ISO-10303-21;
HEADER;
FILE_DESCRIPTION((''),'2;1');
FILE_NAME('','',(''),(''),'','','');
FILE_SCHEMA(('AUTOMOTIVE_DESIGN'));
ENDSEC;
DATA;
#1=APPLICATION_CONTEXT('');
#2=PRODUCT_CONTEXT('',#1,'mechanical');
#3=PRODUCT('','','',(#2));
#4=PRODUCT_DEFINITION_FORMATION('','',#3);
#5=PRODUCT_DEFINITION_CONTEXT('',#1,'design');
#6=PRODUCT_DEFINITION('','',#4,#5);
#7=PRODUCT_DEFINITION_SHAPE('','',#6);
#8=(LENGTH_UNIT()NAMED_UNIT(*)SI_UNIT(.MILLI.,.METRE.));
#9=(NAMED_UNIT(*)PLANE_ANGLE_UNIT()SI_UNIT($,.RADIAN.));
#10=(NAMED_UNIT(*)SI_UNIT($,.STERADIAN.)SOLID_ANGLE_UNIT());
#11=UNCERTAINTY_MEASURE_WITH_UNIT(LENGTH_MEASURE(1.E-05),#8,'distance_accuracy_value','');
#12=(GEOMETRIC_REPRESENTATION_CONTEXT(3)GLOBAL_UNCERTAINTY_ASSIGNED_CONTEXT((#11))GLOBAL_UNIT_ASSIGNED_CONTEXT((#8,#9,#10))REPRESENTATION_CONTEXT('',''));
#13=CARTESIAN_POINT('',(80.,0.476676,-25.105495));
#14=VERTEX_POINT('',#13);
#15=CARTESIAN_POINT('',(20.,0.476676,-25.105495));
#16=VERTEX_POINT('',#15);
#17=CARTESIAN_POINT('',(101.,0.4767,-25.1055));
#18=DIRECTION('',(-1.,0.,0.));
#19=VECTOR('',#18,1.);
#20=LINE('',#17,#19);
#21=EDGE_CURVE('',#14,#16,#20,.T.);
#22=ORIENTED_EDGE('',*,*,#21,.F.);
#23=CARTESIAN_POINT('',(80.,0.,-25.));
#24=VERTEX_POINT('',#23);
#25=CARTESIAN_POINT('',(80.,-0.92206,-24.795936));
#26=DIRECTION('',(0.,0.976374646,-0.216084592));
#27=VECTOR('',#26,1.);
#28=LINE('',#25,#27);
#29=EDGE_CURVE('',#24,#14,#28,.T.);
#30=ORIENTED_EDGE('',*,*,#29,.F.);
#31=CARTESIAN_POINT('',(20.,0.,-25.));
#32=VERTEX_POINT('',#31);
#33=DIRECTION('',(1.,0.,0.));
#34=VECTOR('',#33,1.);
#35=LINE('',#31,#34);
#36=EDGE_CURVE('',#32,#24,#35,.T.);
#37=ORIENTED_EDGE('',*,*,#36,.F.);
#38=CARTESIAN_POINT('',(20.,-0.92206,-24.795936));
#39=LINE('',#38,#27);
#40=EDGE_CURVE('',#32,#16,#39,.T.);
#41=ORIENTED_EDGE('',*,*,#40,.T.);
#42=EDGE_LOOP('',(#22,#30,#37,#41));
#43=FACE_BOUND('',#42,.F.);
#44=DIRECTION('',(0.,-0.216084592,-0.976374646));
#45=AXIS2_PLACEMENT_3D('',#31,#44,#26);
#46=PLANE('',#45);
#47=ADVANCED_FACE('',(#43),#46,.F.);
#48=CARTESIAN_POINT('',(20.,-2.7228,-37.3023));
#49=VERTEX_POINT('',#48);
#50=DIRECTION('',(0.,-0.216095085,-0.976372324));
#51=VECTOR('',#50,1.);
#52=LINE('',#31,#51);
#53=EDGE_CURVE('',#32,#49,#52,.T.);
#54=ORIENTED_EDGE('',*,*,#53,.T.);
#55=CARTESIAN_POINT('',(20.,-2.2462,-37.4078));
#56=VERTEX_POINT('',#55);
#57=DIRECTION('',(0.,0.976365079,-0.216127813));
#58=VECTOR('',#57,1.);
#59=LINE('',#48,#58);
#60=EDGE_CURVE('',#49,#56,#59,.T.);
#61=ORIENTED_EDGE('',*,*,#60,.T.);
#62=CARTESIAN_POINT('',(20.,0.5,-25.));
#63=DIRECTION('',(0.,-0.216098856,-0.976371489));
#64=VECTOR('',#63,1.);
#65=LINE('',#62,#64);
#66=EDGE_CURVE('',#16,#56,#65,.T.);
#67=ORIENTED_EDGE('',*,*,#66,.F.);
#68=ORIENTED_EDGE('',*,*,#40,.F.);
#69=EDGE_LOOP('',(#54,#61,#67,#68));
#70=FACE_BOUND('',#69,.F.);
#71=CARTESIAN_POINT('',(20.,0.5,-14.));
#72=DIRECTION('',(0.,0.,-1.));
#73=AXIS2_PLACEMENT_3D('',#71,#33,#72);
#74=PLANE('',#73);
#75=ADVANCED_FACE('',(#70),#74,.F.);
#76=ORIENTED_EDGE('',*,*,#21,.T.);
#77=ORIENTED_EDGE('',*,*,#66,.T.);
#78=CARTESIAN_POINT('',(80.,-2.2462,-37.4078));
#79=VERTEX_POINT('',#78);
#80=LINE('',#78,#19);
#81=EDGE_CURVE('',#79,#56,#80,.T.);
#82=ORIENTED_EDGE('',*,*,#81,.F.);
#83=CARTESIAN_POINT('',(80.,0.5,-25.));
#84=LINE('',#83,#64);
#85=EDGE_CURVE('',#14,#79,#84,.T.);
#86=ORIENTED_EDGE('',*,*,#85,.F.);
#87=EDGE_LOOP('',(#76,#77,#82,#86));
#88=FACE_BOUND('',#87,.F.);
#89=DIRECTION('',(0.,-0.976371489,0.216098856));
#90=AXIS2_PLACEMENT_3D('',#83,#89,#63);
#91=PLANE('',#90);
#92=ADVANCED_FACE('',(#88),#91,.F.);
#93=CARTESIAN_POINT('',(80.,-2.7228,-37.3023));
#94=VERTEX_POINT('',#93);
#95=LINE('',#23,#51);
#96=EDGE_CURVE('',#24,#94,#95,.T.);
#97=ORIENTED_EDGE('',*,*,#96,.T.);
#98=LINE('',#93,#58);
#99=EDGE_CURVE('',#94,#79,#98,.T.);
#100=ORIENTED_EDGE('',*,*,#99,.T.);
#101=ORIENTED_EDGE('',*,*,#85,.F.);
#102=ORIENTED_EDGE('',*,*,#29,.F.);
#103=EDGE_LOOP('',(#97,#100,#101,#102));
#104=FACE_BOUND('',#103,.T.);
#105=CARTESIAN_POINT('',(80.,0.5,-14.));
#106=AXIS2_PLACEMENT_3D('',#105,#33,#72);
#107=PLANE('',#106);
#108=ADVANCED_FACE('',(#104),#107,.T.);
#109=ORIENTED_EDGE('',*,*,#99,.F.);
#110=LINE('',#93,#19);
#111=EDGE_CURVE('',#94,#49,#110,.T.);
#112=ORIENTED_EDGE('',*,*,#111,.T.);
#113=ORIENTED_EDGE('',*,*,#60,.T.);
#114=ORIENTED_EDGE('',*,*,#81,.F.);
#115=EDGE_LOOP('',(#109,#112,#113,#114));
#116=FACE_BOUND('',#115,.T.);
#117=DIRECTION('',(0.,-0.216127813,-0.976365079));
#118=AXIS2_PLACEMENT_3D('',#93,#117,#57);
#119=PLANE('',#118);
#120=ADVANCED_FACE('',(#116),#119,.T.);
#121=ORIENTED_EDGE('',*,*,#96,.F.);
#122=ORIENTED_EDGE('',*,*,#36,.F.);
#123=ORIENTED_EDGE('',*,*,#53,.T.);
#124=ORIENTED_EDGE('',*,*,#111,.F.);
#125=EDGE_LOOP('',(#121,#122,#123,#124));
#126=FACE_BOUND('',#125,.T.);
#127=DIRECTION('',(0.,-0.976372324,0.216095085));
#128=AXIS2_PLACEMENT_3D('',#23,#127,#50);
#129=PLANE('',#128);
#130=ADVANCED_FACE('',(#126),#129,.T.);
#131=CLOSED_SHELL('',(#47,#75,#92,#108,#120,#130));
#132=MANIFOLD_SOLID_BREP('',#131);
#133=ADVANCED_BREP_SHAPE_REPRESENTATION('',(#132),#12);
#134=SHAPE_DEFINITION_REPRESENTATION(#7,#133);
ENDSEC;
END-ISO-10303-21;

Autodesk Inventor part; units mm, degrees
ref_plane "YZ Plane" through (0, 0, 0) normal (1, 0, 0) x (0, 1, 0)
ref_plane "XZ Plane" through (0, 0, 0) normal (0, 1, 0) x (-1, 0, 0)
ref_plane "XY Plane" through (0, 0, 0) normal (0, 0, 1) x (1, 0, 0)
sketch "Szkic1" plane through (0, 0, 0) normal (0, 1, 0) x (-1, 0, 0)
  line L0 (0, 0) -> (-100, 0)
  line L1 (-100, 0) -> (-100, -14)
  line L2 (-100, -14) -> (0, -14)
  line L3 (0, -14) -> (0, 0)
  dimension "d0" = 100
  dimension "d1" = 14
extrude "Wyciągnięcie proste1" add sketch "Szkic1" along normal blind 0.5
sketch "Szkic2" plane through (0, 0.5, 0) normal (0, 1, 0) x (1, 0, 0)
  line L0 (100, 14) -> (0, 14) projected
  line L1 (80, 14) -> (20, 14)
  line L2 (20, 14) -> (20, 25)
  line L3 (20, 25) -> (80, 25)
  line L4 (80, 25) -> (80, 14)
  point P0 (0, 0)
  point P1 (50, 14)
  point P2 (50, 14)
  point P3 (50, 14)
  dimension "d4" = 60
  dimension "d5" = 11
extrude "Wyciągnięcie proste2" add sketch "Szkic2" against normal blind 0.5
sketch "Szkic3" plane through (80, 0.5, -14) normal (1, 0, 0) x (0, 0, -1)
  line L0 (0, 0) -> (11, 0) projected
  line L1 (0, -0.5) -> (0, 0) projected
  line L2 (11, -0.5) -> (0, -0.5) projected
  line L3 (11, 0) -> (11, -0.5) projected
  line L4 (11, 0) -> (23.4078, -2.7462)
  line L5 (11, -0.5) -> (23.3023, -3.2228)
  line L6 (23.3023, -3.2228) -> (23.4078, -2.7462)
  point P0 (-14, -0.5)
  dimension "d8" = 167.52
  dimension "d9" = 12.6
extrude "Wyciągnięcie proste3" add sketch "Szkic3" against normal up to surface (60 mm away) contours L4 L6 L5 L3
sketch "Szkic4" plane through (20, 0, -14) normal (-1, 0, 0) x (0, 0, 1)
  line L0 (-11, 0.5) -> (0, 0.5) projected
  line L1 (0, 0) -> (-11, 0) projected
  line L2 (0, 0.5) -> (14, 0.5) projected
  line L3 (0, 0) -> (14, 0) projected
  line L4 (0, 0) -> (14, 0) projected
  line L5 (14, 0) -> (14, 0.5) projected
  line L6 (0, 0.5) -> (14, 0.5) projected
  line L7 (0, 0) -> (0, 0.5) projected
  line L8 (-11, 0.5) -> (0, 0.5) projected
  line L9 (-23.4078, -2.2462) -> (-11, 0.5) projected
  line L10 (-23.3023, -2.7228) -> (-23.4078, -2.2462) projected
  line L11 (-11, 0) -> (-23.3023, -2.7228) projected
  line L12 (0, 0) -> (-11, 0) projected
  line L13 (0, 0.5) -> (0, 0) projected
  line L14 (-11, 0) -> (-23.3023, -2.7228) projected
  line L15 (-11, 0) -> (-11.1055, 0.4767)
extrude "Wyciągnięcie proste4" cut sketch "Szkic4" along normal through all both and the other way through all contours L0 L7 L1 L15 L9 | L2 L5 L3 L7
sketch "Szkic5" plane through (20, -2.7228, -37.3023) normal (-1, 0, 0) x (0, 0.2161, 0.9764)
  line L0 (15.5701, -17.2757) -> (12.57, -20.2756) projected
  line L1 (15.5701, -17.2757) -> (15.5704, -10.8597) projected
  line L2 (15.5708, -3.4757) -> (15.5704, -10.8597) projected
  point P0 (37.0093, -5.4025)
properties part number "tyl" material "Stal miękka, spawana"
